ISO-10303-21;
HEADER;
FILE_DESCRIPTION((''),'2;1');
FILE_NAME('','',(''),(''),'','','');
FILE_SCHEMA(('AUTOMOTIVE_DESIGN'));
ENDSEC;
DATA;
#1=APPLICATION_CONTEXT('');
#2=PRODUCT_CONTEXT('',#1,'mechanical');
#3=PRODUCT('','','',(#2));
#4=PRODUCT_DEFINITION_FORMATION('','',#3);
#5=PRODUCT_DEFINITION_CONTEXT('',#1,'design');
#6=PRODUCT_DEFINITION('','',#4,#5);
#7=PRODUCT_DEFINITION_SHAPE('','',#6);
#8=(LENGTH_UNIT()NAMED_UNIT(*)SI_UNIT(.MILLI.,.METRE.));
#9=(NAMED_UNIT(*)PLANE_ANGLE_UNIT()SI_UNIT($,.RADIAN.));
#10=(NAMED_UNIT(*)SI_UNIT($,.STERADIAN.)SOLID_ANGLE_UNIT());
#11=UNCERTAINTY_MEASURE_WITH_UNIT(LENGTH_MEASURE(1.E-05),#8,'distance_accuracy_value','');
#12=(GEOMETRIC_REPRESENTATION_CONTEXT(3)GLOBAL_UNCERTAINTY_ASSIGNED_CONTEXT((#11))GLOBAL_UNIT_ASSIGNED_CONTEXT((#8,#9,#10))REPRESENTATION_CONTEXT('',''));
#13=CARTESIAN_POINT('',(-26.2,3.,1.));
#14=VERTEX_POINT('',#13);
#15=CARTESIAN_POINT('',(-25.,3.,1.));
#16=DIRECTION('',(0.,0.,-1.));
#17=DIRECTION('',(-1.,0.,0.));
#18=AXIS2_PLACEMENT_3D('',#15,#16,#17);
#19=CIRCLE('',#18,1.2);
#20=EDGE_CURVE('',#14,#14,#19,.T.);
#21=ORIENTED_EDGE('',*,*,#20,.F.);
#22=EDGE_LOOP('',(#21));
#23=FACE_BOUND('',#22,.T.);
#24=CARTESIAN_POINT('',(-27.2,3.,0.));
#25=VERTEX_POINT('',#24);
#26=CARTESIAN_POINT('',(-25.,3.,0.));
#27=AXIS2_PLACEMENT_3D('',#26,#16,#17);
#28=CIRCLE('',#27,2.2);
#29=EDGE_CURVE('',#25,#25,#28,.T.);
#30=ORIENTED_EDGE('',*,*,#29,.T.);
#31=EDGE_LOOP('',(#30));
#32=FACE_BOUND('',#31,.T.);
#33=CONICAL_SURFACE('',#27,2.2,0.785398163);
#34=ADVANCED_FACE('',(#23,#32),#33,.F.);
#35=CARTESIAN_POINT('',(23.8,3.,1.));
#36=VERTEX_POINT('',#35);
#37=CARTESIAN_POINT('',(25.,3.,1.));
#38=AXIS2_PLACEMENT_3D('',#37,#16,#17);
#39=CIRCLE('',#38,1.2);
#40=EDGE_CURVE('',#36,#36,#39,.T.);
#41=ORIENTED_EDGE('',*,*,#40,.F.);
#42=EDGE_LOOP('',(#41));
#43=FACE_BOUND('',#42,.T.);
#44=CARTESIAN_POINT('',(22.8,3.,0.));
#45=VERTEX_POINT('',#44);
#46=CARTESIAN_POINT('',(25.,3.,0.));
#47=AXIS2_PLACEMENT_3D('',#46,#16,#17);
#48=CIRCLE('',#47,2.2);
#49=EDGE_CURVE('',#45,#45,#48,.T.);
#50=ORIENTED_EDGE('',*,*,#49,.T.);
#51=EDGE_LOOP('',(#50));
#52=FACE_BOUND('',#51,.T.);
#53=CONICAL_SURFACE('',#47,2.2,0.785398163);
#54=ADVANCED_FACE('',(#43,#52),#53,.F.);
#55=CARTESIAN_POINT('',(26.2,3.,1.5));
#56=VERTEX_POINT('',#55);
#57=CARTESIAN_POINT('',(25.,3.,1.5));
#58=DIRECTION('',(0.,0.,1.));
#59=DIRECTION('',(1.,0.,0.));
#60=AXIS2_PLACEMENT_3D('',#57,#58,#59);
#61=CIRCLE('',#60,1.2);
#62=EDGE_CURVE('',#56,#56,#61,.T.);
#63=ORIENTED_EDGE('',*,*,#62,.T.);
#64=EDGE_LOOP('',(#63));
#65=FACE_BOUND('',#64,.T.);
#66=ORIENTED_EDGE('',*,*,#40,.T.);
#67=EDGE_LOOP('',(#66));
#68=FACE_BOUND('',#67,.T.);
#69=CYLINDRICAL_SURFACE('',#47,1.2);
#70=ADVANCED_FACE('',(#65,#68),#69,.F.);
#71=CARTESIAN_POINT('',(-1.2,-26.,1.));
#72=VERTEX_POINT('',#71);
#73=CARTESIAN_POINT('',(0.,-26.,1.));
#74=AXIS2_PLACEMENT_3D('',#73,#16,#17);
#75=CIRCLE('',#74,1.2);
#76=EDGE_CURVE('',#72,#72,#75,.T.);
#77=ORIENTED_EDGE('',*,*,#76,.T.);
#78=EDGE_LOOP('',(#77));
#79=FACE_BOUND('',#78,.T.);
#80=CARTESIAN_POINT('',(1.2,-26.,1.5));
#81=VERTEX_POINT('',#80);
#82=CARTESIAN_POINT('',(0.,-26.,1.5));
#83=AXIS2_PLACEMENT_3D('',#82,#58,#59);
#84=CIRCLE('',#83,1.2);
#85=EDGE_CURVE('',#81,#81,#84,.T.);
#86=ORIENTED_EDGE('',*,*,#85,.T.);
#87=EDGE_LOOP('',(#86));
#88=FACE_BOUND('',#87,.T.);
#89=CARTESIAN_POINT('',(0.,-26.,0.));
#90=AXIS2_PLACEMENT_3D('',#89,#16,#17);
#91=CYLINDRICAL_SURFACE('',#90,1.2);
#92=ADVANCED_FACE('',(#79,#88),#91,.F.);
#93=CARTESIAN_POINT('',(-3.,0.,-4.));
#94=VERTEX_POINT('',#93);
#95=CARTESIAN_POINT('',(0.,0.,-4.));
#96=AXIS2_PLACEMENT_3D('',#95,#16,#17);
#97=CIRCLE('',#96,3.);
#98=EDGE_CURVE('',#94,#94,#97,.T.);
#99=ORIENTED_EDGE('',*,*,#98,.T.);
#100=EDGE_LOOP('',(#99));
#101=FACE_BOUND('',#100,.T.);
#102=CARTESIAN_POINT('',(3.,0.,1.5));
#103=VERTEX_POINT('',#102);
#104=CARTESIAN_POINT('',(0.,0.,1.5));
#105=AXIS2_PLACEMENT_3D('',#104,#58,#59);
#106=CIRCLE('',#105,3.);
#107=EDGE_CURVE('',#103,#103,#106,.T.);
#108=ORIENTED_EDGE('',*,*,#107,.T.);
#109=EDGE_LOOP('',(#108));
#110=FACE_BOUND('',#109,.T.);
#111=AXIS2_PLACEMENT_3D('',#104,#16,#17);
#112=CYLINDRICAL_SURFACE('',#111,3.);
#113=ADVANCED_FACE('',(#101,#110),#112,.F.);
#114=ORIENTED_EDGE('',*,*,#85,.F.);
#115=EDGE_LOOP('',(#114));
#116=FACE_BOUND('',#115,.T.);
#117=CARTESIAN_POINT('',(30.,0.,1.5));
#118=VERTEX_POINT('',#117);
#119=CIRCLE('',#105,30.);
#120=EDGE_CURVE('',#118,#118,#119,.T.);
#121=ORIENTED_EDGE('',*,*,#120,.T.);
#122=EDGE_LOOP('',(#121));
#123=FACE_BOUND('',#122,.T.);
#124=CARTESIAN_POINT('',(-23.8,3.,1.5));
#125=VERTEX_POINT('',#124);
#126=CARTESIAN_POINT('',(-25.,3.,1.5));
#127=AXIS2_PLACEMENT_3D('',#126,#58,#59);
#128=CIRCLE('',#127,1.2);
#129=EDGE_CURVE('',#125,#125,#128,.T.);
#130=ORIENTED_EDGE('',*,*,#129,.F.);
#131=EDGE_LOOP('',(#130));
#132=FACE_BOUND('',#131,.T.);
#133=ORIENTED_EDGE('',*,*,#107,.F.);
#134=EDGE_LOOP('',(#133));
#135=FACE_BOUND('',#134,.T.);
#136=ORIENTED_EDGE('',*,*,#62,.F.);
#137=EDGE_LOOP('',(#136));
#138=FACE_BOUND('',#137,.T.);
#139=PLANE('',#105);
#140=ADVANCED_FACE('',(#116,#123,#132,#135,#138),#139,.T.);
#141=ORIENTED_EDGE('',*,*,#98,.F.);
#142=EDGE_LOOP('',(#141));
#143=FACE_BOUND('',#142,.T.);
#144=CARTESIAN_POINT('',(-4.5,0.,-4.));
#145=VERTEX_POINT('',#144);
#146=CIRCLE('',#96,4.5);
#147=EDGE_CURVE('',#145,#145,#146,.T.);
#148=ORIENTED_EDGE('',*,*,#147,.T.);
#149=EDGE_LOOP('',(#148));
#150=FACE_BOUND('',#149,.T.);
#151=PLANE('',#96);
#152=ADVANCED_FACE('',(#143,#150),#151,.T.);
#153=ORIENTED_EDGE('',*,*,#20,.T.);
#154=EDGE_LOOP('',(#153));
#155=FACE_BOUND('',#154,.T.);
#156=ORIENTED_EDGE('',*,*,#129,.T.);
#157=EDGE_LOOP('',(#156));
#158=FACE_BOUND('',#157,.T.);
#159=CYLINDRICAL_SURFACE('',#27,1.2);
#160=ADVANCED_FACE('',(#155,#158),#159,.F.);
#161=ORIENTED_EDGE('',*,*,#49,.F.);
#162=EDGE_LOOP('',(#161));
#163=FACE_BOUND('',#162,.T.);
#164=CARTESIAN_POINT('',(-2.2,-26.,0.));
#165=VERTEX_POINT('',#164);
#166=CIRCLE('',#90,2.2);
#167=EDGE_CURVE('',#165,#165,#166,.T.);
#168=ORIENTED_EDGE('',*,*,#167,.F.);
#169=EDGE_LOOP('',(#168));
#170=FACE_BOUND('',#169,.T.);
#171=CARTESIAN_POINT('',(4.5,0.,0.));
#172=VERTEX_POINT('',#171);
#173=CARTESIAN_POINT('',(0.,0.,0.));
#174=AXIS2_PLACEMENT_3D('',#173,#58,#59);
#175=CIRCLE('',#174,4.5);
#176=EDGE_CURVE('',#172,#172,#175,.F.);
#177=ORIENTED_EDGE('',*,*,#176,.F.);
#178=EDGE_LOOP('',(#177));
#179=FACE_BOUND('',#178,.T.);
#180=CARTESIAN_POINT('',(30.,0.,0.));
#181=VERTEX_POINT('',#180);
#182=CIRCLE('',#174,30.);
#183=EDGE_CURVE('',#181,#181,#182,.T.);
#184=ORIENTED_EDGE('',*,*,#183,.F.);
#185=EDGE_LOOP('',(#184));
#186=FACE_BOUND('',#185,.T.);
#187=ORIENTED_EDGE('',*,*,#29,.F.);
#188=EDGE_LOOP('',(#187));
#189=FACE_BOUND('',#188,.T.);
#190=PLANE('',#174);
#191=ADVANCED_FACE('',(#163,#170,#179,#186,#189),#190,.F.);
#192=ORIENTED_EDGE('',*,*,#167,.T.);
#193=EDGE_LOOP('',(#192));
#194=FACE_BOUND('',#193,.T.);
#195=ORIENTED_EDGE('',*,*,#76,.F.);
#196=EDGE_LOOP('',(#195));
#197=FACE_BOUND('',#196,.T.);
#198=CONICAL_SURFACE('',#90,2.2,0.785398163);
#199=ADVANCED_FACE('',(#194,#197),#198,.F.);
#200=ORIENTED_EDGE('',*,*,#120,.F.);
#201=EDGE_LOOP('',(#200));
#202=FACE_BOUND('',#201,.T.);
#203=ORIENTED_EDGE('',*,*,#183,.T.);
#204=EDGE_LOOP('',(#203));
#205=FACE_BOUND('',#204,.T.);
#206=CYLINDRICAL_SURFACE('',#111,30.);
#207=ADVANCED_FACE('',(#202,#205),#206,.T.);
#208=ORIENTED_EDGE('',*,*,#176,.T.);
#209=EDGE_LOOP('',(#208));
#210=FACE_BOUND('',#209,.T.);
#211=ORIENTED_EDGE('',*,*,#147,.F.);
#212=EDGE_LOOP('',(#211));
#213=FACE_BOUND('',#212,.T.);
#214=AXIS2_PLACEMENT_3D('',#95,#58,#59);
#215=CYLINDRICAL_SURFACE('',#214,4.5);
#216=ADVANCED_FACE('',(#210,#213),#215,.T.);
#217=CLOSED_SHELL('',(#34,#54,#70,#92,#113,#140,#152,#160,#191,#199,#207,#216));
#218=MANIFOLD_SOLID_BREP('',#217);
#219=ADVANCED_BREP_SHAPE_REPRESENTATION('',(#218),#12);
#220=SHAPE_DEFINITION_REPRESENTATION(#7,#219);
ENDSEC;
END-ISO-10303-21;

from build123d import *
from build123d.topology import SkipClean

# Parameters (mm, degrees)
SCHIZZO1_R                             = 30
SCHIZZO1_R_2                           = 3
ESTRUSIONE_ESTRUSIONE1_DEPTH           = 1.5
FORO_SVASATO_PER_VITE_M2_1_D           = 2.4
FORO_SVASATO_PER_VITE_M2_1_DEPTH       = 6
FORO_SVASATO_PER_VITE_M2_1_CSINK_D     = 4.4
FORO_SVASATO_PER_VITE_M2_1_CSINK_ANGLE = 90
FORO_SVASATO_PER_VITE_M2_1_TIP         = 0.721032743
SCHIZZO5_R                             = 4.5
ESTRUSIONE_ESTRUSIONE2_DEPTH           = 4
SCHIZZO9_R                             = 3
TAGLIO_ESTRUSIONE1_DEPTH               = 10


with BuildPart() as part:
    # Schizzo1 → Estrusione-Estrusione1 (new body)
    with BuildSketch(Plane.XY):
        Circle(SCHIZZO1_R)
        Circle(SCHIZZO1_R_2, mode=Mode.SUBTRACT)
    extrude(amount=ESTRUSIONE_ESTRUSIONE1_DEPTH)

    # Foro svasato per Vite M2-1
    with Locations(Plane(origin=(0, 0, 0), x_dir=(-1, 0, 0), z_dir=(0, 0, -1))):
        with Locations((0, -26), (-25, 3), (25, 3)):
            CounterSinkHole(FORO_SVASATO_PER_VITE_M2_1_D / 2, FORO_SVASATO_PER_VITE_M2_1_CSINK_D / 2, depth=FORO_SVASATO_PER_VITE_M2_1_DEPTH, counter_sink_angle=FORO_SVASATO_PER_VITE_M2_1_CSINK_ANGLE)
            with Locations((0, 0, -(FORO_SVASATO_PER_VITE_M2_1_DEPTH + FORO_SVASATO_PER_VITE_M2_1_TIP / 2))):  # 118° drill point
                Cone(0, FORO_SVASATO_PER_VITE_M2_1_D / 2, FORO_SVASATO_PER_VITE_M2_1_TIP, mode=Mode.SUBTRACT)

    # Schizzo5 → Estrusione-Estrusione2 (add)
    with BuildSketch(Plane(origin=(0, 0, 0), x_dir=(-1, 0, 0), z_dir=(0, 0, -1))):
        with Locations(Location((0, 0, 0), (0, 0, 180))):
            Circle(SCHIZZO5_R)
    extrude(amount=ESTRUSIONE_ESTRUSIONE2_DEPTH)

    # Schizzo9 → Taglio-Estrusione1 (cut)
    with SkipClean():  # the faces are left unmerged after this step: merging them gives an invalid solid
        with BuildSketch(Plane(origin=(0, 0, -4), x_dir=(-1, 0, 0), z_dir=(0, 0, -1))):
            Circle(SCHIZZO9_R)
        extrude(amount=-TAGLIO_ESTRUSIONE1_DEPTH, mode=Mode.SUBTRACT)


solid = part.part
